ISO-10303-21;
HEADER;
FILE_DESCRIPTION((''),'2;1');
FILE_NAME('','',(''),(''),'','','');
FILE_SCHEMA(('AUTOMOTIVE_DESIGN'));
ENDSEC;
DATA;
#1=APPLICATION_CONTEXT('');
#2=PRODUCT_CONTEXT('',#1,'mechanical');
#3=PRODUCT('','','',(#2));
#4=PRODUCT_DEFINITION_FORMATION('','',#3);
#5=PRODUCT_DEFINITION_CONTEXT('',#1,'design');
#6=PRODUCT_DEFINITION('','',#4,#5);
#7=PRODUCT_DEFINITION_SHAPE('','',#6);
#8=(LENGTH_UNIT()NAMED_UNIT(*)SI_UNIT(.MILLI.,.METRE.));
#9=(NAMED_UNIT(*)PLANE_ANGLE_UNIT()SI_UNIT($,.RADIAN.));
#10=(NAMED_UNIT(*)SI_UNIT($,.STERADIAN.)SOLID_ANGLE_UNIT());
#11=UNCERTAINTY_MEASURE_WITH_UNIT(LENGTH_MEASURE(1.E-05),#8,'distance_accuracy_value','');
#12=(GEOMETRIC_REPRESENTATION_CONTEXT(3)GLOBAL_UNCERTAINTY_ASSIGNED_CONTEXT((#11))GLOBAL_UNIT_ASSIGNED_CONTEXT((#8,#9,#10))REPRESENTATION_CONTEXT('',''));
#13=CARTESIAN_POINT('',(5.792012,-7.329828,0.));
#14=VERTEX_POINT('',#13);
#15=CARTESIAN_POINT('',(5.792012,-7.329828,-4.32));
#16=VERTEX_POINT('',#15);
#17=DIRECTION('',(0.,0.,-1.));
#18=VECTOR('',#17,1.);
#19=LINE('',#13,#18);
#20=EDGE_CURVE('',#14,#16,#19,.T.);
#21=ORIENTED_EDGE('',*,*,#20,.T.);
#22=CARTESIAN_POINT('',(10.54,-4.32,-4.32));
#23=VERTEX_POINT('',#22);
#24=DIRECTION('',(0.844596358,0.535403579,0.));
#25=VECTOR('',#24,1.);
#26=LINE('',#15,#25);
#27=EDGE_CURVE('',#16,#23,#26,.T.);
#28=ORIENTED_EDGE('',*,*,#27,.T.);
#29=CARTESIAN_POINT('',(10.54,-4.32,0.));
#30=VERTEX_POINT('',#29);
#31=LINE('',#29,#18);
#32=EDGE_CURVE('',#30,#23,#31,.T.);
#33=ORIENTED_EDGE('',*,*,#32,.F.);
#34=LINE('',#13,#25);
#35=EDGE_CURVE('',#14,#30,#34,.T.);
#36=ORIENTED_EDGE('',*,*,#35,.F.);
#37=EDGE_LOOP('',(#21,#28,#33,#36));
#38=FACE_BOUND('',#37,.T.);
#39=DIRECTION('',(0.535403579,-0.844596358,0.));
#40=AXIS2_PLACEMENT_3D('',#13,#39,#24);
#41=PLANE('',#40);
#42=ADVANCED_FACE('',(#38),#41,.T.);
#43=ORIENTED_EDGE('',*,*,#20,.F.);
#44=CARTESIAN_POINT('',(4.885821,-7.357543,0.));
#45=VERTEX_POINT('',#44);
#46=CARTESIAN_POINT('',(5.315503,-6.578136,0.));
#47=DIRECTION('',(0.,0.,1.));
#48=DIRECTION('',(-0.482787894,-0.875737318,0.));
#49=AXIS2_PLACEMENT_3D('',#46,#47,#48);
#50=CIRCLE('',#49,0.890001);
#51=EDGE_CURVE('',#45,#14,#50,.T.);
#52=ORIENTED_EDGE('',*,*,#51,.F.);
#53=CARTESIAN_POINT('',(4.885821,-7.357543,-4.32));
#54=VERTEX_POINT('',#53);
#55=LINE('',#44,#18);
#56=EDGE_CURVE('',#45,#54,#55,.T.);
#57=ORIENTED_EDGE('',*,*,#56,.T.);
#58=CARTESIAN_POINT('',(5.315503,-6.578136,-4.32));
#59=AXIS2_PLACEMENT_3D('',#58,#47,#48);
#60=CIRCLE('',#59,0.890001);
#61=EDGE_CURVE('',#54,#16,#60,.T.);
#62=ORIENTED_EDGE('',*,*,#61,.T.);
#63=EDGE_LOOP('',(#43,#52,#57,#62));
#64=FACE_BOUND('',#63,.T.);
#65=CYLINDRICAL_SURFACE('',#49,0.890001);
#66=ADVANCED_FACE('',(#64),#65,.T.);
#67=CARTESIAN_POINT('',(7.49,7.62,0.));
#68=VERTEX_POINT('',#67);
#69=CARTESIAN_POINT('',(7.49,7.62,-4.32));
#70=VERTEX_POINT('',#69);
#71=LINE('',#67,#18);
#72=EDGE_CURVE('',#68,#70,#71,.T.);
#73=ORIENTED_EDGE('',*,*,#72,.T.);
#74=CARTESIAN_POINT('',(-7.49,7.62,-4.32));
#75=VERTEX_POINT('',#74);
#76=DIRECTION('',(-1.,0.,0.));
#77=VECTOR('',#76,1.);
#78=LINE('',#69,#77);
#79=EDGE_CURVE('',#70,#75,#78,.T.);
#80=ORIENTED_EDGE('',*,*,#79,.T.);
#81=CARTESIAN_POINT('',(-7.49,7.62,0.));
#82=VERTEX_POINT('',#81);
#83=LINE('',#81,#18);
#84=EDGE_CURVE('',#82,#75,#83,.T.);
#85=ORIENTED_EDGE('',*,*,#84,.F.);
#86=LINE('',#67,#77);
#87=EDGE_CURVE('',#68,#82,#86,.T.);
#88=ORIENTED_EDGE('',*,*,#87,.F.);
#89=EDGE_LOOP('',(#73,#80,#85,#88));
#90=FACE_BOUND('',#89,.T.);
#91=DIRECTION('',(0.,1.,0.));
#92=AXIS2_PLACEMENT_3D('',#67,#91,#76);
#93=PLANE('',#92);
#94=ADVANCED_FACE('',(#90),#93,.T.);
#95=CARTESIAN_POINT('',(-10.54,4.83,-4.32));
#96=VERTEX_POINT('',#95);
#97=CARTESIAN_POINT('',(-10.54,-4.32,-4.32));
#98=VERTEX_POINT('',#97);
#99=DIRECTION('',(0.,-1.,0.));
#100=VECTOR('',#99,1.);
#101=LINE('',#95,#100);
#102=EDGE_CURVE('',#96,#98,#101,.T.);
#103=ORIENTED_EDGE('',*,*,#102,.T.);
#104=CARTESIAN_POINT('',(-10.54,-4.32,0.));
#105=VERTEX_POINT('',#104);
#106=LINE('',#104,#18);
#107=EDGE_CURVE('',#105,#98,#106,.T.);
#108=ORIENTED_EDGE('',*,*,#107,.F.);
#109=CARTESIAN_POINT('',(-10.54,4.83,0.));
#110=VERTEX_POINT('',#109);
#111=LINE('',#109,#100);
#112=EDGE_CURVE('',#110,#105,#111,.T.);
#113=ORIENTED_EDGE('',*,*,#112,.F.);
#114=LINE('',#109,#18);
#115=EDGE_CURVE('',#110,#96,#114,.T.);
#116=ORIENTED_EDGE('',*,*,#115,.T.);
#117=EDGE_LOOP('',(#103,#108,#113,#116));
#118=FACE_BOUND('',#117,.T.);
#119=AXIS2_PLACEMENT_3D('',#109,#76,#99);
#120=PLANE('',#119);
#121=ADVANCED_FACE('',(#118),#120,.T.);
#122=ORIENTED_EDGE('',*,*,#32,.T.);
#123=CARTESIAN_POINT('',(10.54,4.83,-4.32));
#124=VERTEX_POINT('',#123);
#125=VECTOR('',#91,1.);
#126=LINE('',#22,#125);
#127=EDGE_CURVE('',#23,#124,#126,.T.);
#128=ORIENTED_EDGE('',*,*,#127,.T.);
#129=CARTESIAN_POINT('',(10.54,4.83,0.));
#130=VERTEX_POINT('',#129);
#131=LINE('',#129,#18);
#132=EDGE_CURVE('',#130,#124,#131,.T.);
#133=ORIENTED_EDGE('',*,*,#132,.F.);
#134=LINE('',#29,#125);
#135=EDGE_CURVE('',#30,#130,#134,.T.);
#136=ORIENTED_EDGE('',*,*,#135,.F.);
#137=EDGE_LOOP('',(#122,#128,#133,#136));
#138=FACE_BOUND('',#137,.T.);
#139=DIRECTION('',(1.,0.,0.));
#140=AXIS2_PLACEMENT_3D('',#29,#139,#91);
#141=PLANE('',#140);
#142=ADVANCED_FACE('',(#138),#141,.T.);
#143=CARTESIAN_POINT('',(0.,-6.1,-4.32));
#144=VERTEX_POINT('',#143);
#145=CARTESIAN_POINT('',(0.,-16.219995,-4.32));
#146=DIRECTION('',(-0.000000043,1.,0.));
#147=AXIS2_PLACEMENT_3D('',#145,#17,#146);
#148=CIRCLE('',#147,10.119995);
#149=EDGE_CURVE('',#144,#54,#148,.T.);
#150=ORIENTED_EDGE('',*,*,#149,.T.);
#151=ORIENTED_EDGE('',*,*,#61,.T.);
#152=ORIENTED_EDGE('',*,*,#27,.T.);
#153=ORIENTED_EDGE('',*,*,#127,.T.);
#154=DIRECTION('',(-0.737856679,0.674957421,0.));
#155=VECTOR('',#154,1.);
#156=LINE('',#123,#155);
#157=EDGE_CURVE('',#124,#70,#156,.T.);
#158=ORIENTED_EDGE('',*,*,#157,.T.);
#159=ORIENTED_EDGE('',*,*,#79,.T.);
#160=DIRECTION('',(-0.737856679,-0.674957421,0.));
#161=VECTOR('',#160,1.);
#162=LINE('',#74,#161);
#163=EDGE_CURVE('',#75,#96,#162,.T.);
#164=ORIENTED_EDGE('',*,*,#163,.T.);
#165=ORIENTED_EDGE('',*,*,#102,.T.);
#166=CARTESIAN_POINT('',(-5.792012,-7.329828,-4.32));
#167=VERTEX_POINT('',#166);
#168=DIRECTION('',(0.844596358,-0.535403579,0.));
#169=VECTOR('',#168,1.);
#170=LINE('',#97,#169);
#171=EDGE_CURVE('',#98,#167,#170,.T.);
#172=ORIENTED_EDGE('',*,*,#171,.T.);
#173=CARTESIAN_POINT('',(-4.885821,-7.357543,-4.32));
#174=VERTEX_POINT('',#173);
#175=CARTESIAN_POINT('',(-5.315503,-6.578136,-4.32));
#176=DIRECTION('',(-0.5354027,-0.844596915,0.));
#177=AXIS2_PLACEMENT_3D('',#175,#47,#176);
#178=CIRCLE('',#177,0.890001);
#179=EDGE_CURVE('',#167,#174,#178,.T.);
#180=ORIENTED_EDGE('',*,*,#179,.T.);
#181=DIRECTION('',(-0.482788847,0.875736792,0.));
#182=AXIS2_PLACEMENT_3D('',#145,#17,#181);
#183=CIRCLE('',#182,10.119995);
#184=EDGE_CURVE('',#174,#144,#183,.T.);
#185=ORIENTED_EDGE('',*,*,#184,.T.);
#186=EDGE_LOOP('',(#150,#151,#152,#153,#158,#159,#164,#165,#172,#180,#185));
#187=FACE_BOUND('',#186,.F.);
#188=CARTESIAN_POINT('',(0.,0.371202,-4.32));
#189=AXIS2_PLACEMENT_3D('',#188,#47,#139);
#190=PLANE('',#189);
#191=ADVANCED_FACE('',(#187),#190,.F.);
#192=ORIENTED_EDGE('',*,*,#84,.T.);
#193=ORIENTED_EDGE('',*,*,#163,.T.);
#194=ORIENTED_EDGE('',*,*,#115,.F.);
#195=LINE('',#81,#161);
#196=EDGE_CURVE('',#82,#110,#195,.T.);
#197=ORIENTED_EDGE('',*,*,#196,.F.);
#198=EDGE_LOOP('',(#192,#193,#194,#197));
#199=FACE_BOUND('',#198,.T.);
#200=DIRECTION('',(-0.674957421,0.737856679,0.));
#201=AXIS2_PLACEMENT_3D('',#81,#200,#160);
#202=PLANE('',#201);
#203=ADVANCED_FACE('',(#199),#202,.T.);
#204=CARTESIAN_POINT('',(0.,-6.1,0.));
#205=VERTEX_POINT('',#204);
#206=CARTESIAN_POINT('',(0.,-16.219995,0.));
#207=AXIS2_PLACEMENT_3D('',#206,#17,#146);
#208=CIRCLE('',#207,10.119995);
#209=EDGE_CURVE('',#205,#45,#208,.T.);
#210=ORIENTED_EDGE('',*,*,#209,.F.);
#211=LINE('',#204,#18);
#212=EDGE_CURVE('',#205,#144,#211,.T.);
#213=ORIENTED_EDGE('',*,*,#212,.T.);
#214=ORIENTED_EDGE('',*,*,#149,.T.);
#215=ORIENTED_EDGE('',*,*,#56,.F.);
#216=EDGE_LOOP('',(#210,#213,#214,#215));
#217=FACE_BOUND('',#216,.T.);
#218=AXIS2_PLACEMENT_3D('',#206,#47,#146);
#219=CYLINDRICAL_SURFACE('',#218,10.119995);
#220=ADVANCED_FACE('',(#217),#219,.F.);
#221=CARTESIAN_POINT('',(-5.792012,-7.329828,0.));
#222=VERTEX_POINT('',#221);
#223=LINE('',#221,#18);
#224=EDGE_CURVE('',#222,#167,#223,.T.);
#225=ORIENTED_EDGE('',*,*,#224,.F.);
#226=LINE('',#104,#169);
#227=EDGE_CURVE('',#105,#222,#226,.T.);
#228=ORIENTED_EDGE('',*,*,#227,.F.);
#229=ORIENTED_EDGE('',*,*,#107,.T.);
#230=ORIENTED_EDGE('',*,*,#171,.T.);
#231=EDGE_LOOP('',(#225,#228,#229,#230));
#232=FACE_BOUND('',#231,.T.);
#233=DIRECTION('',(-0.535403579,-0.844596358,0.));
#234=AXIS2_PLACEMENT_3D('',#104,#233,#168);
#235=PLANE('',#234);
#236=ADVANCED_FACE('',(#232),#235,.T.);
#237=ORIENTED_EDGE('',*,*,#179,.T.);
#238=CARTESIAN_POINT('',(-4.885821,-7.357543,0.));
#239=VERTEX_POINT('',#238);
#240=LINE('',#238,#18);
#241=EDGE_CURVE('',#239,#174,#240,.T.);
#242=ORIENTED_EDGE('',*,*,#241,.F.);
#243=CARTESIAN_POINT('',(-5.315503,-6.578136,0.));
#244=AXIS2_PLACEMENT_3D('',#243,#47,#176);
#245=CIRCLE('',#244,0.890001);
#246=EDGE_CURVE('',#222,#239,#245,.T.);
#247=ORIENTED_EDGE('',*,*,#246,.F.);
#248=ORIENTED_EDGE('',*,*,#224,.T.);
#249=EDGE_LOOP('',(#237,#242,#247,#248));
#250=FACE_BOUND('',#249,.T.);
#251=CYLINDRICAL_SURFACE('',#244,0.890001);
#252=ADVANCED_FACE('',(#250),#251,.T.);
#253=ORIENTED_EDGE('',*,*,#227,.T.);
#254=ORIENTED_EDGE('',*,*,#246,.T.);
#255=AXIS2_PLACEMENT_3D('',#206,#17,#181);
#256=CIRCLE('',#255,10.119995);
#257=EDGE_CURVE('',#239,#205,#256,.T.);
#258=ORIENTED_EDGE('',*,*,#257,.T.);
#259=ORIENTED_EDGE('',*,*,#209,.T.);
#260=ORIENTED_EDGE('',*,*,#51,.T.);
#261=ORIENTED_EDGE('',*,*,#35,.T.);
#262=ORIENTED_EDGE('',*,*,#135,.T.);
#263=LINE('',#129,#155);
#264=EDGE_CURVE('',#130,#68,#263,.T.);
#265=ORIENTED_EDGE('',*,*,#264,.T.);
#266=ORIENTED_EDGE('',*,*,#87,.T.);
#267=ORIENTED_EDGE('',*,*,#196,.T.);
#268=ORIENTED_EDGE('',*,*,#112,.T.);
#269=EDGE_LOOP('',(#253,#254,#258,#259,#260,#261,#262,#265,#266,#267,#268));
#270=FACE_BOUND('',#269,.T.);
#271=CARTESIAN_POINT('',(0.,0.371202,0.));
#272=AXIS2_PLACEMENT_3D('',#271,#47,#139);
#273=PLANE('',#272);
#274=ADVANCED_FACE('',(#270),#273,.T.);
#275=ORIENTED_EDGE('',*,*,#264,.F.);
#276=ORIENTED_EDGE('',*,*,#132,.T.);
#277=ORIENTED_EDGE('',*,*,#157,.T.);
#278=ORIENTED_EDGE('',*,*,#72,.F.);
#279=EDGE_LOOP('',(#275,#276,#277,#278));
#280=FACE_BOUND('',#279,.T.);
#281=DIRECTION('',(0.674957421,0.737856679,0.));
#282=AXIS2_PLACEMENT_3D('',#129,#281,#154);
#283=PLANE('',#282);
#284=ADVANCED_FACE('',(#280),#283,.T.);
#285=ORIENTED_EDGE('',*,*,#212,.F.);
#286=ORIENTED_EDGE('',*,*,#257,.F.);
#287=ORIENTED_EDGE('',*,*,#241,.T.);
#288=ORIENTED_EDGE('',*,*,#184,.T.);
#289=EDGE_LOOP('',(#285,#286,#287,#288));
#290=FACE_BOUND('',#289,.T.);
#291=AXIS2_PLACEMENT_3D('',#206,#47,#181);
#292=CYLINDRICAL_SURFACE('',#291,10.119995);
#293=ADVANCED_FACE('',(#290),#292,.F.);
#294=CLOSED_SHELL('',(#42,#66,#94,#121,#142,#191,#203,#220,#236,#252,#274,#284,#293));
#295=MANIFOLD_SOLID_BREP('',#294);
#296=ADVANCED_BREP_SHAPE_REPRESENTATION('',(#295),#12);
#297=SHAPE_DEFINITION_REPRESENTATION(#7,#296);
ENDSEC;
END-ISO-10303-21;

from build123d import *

# Parameters (mm, degrees)
F1_DEPTH = 4.32


with BuildPart() as f1:
    # F0 (on Top) → F1 (new body)
    with BuildSketch(Plane.XY):
        with BuildLine():
            Line((10.54, 4.83), (7.49, 7.62))
            Line((7.49, 7.62), (0, 7.62))
            Line((0, 7.62), (-7.49, 7.62))
            Line((-7.49, 7.62), (-10.54, 4.83))
            Line((-10.54, 4.83), (-10.54, -4.32))
            Line((-10.54, -4.32), (-5.792012, -7.329828))
            ThreePointArc((-5.792012, -7.329828), (-5.34271, -7.467721), (-4.885821, -7.357543))
            ThreePointArc((-4.885821, -7.357543), (-2.522532, -6.419427), (0, -6.1))
            ThreePointArc((0, -6.1), (2.522532, -6.419427), (4.885821, -7.357543))
            ThreePointArc((4.885821, -7.357543), (5.34271, -7.467721), (5.792012, -7.329828))
            Line((5.792012, -7.329828), (10.54, -4.32))
            Line((10.54, -4.32), (10.54, 4.83))
        make_face()
    extrude(amount=-F1_DEPTH)


solid = f1.part
